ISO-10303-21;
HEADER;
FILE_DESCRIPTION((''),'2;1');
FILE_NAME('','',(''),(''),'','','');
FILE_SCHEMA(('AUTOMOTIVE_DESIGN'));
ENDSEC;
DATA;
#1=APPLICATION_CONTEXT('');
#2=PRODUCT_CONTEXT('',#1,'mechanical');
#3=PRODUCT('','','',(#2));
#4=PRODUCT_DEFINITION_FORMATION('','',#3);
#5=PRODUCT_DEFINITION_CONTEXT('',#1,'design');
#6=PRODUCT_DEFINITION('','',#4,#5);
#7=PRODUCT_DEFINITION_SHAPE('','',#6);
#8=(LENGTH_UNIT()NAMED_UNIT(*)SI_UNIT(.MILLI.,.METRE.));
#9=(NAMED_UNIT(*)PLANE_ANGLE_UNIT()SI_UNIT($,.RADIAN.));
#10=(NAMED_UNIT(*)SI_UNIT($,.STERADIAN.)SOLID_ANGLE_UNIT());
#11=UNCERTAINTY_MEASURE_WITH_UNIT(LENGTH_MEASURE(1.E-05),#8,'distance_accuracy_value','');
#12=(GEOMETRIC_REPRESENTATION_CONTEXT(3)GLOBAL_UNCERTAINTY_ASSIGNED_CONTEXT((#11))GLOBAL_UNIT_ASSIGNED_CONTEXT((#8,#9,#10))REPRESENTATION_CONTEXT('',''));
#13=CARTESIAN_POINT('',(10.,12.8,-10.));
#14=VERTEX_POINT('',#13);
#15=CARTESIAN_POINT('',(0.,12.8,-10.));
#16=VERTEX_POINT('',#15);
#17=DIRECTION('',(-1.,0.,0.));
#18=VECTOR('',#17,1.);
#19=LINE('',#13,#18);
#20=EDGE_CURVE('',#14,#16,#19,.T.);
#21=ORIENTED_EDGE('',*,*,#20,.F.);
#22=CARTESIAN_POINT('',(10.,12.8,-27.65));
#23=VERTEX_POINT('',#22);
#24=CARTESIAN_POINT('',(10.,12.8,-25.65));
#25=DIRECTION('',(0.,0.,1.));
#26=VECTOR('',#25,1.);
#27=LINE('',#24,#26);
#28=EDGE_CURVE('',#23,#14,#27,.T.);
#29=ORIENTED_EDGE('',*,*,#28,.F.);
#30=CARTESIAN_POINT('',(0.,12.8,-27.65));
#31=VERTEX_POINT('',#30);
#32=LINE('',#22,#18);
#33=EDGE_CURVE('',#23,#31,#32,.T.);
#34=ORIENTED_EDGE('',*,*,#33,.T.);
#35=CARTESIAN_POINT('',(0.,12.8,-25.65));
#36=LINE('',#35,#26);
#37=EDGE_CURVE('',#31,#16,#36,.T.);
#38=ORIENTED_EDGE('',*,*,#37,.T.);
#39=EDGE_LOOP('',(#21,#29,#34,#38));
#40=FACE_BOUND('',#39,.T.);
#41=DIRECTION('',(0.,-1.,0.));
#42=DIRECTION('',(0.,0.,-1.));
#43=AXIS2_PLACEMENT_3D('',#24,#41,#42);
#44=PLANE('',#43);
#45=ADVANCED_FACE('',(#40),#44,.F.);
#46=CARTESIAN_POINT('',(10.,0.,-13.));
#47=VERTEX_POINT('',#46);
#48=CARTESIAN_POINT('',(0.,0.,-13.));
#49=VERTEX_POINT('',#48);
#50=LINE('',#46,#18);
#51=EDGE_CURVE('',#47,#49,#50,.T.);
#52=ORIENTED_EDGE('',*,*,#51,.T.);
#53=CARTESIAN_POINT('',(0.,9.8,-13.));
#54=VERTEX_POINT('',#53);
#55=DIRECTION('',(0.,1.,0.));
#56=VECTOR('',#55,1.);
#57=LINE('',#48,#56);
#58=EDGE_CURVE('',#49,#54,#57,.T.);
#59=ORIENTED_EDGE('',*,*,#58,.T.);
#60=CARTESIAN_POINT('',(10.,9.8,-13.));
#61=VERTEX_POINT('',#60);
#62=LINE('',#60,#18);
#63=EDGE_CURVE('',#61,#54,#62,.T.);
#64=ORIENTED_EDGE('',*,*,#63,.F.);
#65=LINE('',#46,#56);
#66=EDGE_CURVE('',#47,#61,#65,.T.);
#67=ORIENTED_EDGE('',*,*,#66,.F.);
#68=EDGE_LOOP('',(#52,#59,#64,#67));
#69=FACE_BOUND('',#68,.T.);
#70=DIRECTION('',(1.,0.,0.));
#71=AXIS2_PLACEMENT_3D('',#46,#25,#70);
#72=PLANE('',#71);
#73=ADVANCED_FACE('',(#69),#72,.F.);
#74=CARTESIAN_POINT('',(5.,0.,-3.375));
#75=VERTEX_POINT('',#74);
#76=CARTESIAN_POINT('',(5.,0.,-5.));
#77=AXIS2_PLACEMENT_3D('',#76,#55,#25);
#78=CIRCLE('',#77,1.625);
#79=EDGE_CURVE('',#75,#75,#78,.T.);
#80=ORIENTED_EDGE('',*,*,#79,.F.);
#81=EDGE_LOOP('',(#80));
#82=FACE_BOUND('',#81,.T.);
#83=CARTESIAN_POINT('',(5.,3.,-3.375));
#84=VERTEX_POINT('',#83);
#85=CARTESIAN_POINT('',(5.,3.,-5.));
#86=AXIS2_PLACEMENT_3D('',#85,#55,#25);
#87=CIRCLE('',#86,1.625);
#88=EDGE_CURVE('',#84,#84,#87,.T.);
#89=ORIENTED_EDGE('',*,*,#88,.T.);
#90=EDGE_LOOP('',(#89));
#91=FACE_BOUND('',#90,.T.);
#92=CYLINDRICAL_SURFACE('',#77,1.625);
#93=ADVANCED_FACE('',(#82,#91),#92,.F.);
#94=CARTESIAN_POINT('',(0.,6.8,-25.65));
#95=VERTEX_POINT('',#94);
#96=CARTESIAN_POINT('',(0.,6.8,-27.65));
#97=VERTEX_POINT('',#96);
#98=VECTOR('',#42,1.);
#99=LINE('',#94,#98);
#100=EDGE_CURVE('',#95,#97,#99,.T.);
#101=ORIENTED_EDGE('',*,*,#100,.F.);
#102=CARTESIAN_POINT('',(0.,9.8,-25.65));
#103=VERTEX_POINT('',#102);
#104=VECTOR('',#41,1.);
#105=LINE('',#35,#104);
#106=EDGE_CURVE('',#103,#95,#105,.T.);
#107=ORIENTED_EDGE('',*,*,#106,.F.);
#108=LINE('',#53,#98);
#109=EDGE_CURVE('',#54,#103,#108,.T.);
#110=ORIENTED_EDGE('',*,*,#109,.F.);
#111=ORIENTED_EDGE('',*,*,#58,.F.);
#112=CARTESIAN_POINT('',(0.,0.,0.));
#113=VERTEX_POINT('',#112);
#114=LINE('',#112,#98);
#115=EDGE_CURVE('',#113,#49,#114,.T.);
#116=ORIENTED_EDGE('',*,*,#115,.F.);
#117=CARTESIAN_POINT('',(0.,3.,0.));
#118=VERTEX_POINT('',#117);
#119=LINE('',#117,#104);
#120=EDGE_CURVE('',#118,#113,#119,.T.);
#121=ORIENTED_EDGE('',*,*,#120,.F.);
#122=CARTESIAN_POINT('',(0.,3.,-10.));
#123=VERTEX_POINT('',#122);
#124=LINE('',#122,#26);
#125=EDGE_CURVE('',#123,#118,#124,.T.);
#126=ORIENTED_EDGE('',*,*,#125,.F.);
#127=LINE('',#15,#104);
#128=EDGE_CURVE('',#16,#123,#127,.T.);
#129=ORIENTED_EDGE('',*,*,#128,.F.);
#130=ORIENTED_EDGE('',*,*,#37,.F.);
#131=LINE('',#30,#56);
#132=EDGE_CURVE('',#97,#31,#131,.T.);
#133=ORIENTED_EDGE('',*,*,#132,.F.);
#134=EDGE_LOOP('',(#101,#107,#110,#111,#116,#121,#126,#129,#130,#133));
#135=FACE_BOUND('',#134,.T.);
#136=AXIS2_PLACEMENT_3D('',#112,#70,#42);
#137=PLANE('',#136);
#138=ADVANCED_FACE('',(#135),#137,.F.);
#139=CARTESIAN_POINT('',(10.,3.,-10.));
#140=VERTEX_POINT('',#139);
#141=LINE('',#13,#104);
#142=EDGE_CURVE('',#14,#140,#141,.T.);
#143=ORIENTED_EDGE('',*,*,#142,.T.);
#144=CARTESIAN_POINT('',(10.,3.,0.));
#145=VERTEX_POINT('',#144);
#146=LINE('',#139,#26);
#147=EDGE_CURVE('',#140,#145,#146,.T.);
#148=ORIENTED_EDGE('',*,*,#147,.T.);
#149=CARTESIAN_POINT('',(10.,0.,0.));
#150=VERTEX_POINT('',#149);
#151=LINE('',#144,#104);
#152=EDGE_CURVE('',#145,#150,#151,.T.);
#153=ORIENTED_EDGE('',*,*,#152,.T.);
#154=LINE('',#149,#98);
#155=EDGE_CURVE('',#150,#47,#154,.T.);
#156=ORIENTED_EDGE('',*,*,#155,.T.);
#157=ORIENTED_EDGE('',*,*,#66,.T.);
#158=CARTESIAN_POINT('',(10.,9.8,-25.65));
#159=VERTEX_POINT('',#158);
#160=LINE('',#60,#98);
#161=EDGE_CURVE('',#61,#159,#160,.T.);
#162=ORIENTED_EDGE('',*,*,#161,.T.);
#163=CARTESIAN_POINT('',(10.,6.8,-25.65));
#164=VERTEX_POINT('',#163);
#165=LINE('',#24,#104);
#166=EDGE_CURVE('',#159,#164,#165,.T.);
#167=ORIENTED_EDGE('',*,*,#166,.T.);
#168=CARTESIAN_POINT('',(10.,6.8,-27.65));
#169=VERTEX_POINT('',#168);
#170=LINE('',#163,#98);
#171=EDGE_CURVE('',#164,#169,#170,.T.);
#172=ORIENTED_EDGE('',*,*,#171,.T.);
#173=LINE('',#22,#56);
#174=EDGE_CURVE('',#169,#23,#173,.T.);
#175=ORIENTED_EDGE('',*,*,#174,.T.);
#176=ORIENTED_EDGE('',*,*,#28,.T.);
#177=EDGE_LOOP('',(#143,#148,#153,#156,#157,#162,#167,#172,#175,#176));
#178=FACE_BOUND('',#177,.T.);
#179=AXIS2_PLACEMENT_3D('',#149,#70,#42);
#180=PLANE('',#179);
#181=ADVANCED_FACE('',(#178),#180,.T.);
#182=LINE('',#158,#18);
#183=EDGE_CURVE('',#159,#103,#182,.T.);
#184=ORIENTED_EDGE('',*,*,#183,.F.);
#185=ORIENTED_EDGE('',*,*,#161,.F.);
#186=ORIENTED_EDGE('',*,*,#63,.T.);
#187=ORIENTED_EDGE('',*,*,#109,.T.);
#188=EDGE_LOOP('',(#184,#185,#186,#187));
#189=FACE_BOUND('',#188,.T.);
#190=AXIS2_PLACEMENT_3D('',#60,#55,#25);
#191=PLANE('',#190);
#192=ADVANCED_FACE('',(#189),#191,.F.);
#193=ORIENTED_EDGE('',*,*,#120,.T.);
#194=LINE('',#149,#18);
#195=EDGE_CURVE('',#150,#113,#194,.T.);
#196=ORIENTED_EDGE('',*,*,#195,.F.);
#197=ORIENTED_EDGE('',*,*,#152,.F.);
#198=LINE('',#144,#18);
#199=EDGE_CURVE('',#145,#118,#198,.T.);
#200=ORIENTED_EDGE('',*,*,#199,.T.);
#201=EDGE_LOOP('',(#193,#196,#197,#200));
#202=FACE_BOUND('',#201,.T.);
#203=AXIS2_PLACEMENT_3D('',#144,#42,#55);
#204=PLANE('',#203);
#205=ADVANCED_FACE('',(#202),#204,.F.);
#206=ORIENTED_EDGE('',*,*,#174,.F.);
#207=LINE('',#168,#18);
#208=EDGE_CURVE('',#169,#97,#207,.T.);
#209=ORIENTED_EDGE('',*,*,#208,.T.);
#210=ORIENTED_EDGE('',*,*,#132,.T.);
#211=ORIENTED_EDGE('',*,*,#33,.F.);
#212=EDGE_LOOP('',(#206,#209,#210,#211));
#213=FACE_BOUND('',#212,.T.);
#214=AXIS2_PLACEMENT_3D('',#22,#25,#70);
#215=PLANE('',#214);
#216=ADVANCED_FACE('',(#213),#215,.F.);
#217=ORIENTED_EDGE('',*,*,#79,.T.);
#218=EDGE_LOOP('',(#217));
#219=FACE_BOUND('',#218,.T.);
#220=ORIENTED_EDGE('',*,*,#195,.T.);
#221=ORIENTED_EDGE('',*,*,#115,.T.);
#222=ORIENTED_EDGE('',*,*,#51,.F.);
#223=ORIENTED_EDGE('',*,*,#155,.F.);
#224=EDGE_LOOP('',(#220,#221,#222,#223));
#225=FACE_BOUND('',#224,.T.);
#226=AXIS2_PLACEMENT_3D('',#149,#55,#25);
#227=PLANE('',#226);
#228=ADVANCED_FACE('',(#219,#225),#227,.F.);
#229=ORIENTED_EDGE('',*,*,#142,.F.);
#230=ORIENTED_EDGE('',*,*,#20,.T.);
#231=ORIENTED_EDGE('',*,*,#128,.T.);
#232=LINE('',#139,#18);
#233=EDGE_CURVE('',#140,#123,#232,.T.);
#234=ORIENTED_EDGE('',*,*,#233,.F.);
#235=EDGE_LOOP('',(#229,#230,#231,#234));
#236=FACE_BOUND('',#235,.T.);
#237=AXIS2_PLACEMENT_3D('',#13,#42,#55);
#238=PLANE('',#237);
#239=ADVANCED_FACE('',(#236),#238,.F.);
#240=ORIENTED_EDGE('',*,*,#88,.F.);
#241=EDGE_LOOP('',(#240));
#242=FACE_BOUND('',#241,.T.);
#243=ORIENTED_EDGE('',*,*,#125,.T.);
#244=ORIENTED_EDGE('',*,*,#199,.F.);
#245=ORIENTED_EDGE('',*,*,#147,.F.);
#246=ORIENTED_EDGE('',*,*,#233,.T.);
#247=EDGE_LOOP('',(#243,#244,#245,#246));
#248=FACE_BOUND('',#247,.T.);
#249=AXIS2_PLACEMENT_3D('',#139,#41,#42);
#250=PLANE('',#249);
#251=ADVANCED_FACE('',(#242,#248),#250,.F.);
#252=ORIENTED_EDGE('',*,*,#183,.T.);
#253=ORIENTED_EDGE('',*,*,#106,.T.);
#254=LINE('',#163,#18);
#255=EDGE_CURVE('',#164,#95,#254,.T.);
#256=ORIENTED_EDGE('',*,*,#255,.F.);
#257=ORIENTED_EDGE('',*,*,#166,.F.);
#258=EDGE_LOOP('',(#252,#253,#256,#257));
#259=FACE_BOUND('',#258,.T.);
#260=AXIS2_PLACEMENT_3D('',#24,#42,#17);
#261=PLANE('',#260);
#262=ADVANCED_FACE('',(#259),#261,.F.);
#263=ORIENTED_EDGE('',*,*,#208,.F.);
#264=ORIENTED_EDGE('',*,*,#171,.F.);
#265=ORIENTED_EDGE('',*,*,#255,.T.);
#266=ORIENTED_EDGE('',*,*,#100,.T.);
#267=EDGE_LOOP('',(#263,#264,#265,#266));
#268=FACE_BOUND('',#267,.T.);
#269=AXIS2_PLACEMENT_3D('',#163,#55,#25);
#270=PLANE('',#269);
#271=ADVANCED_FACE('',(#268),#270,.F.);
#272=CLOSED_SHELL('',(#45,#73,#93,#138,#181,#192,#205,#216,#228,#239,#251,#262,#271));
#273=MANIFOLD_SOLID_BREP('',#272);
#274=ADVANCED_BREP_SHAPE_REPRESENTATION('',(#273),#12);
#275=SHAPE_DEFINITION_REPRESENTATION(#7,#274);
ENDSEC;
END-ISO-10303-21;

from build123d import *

# Parameters (mm, degrees)
SALIENTE_EXTRUIR1_DEPTH = 10
CROQUIS4_W              = 2
CROQUIS4_H              = 6
SALIENTE_EXTRUIR2_DEPTH = 10
CROQUIS5_R              = 1.625
CORTAR_EXTRUIR1_DEPTH   = 4


with BuildPart() as part:
    # Croquis2 → Saliente-Extruir1 (new body)
    with BuildSketch(Plane(origin=(0, 0, 0), x_dir=(0, 0, -1), z_dir=(1, 0, 0))):
        Polygon((0, 0), (13, 0), (13, 9.8), (25.65, 9.8), (25.65, 12.8), (10, 12.8), (10, 3), (0, 3), align=None)
    extrude(amount=SALIENTE_EXTRUIR1_DEPTH)

    # Croquis4 → Saliente-Extruir2 (add, through all)
    with BuildSketch(Plane(origin=(0, 0, 0), x_dir=(0, 0, -1), z_dir=(1, 0, 0))):
        with Locations((26.65, 9.8)):
            Rectangle(CROQUIS4_W, CROQUIS4_H)
    extrude(amount=SALIENTE_EXTRUIR2_DEPTH)

    # Croquis5 → Cortar-Extruir1 (cut, through all)
    with BuildSketch(Plane(origin=(0, 3, 0), x_dir=(1, 0, 0), z_dir=(0, 1, 0))):
        with Locations((5, 5)):
            Circle(CROQUIS5_R)
    extrude(amount=-CORTAR_EXTRUIR1_DEPTH, mode=Mode.SUBTRACT)


solid = part.part
